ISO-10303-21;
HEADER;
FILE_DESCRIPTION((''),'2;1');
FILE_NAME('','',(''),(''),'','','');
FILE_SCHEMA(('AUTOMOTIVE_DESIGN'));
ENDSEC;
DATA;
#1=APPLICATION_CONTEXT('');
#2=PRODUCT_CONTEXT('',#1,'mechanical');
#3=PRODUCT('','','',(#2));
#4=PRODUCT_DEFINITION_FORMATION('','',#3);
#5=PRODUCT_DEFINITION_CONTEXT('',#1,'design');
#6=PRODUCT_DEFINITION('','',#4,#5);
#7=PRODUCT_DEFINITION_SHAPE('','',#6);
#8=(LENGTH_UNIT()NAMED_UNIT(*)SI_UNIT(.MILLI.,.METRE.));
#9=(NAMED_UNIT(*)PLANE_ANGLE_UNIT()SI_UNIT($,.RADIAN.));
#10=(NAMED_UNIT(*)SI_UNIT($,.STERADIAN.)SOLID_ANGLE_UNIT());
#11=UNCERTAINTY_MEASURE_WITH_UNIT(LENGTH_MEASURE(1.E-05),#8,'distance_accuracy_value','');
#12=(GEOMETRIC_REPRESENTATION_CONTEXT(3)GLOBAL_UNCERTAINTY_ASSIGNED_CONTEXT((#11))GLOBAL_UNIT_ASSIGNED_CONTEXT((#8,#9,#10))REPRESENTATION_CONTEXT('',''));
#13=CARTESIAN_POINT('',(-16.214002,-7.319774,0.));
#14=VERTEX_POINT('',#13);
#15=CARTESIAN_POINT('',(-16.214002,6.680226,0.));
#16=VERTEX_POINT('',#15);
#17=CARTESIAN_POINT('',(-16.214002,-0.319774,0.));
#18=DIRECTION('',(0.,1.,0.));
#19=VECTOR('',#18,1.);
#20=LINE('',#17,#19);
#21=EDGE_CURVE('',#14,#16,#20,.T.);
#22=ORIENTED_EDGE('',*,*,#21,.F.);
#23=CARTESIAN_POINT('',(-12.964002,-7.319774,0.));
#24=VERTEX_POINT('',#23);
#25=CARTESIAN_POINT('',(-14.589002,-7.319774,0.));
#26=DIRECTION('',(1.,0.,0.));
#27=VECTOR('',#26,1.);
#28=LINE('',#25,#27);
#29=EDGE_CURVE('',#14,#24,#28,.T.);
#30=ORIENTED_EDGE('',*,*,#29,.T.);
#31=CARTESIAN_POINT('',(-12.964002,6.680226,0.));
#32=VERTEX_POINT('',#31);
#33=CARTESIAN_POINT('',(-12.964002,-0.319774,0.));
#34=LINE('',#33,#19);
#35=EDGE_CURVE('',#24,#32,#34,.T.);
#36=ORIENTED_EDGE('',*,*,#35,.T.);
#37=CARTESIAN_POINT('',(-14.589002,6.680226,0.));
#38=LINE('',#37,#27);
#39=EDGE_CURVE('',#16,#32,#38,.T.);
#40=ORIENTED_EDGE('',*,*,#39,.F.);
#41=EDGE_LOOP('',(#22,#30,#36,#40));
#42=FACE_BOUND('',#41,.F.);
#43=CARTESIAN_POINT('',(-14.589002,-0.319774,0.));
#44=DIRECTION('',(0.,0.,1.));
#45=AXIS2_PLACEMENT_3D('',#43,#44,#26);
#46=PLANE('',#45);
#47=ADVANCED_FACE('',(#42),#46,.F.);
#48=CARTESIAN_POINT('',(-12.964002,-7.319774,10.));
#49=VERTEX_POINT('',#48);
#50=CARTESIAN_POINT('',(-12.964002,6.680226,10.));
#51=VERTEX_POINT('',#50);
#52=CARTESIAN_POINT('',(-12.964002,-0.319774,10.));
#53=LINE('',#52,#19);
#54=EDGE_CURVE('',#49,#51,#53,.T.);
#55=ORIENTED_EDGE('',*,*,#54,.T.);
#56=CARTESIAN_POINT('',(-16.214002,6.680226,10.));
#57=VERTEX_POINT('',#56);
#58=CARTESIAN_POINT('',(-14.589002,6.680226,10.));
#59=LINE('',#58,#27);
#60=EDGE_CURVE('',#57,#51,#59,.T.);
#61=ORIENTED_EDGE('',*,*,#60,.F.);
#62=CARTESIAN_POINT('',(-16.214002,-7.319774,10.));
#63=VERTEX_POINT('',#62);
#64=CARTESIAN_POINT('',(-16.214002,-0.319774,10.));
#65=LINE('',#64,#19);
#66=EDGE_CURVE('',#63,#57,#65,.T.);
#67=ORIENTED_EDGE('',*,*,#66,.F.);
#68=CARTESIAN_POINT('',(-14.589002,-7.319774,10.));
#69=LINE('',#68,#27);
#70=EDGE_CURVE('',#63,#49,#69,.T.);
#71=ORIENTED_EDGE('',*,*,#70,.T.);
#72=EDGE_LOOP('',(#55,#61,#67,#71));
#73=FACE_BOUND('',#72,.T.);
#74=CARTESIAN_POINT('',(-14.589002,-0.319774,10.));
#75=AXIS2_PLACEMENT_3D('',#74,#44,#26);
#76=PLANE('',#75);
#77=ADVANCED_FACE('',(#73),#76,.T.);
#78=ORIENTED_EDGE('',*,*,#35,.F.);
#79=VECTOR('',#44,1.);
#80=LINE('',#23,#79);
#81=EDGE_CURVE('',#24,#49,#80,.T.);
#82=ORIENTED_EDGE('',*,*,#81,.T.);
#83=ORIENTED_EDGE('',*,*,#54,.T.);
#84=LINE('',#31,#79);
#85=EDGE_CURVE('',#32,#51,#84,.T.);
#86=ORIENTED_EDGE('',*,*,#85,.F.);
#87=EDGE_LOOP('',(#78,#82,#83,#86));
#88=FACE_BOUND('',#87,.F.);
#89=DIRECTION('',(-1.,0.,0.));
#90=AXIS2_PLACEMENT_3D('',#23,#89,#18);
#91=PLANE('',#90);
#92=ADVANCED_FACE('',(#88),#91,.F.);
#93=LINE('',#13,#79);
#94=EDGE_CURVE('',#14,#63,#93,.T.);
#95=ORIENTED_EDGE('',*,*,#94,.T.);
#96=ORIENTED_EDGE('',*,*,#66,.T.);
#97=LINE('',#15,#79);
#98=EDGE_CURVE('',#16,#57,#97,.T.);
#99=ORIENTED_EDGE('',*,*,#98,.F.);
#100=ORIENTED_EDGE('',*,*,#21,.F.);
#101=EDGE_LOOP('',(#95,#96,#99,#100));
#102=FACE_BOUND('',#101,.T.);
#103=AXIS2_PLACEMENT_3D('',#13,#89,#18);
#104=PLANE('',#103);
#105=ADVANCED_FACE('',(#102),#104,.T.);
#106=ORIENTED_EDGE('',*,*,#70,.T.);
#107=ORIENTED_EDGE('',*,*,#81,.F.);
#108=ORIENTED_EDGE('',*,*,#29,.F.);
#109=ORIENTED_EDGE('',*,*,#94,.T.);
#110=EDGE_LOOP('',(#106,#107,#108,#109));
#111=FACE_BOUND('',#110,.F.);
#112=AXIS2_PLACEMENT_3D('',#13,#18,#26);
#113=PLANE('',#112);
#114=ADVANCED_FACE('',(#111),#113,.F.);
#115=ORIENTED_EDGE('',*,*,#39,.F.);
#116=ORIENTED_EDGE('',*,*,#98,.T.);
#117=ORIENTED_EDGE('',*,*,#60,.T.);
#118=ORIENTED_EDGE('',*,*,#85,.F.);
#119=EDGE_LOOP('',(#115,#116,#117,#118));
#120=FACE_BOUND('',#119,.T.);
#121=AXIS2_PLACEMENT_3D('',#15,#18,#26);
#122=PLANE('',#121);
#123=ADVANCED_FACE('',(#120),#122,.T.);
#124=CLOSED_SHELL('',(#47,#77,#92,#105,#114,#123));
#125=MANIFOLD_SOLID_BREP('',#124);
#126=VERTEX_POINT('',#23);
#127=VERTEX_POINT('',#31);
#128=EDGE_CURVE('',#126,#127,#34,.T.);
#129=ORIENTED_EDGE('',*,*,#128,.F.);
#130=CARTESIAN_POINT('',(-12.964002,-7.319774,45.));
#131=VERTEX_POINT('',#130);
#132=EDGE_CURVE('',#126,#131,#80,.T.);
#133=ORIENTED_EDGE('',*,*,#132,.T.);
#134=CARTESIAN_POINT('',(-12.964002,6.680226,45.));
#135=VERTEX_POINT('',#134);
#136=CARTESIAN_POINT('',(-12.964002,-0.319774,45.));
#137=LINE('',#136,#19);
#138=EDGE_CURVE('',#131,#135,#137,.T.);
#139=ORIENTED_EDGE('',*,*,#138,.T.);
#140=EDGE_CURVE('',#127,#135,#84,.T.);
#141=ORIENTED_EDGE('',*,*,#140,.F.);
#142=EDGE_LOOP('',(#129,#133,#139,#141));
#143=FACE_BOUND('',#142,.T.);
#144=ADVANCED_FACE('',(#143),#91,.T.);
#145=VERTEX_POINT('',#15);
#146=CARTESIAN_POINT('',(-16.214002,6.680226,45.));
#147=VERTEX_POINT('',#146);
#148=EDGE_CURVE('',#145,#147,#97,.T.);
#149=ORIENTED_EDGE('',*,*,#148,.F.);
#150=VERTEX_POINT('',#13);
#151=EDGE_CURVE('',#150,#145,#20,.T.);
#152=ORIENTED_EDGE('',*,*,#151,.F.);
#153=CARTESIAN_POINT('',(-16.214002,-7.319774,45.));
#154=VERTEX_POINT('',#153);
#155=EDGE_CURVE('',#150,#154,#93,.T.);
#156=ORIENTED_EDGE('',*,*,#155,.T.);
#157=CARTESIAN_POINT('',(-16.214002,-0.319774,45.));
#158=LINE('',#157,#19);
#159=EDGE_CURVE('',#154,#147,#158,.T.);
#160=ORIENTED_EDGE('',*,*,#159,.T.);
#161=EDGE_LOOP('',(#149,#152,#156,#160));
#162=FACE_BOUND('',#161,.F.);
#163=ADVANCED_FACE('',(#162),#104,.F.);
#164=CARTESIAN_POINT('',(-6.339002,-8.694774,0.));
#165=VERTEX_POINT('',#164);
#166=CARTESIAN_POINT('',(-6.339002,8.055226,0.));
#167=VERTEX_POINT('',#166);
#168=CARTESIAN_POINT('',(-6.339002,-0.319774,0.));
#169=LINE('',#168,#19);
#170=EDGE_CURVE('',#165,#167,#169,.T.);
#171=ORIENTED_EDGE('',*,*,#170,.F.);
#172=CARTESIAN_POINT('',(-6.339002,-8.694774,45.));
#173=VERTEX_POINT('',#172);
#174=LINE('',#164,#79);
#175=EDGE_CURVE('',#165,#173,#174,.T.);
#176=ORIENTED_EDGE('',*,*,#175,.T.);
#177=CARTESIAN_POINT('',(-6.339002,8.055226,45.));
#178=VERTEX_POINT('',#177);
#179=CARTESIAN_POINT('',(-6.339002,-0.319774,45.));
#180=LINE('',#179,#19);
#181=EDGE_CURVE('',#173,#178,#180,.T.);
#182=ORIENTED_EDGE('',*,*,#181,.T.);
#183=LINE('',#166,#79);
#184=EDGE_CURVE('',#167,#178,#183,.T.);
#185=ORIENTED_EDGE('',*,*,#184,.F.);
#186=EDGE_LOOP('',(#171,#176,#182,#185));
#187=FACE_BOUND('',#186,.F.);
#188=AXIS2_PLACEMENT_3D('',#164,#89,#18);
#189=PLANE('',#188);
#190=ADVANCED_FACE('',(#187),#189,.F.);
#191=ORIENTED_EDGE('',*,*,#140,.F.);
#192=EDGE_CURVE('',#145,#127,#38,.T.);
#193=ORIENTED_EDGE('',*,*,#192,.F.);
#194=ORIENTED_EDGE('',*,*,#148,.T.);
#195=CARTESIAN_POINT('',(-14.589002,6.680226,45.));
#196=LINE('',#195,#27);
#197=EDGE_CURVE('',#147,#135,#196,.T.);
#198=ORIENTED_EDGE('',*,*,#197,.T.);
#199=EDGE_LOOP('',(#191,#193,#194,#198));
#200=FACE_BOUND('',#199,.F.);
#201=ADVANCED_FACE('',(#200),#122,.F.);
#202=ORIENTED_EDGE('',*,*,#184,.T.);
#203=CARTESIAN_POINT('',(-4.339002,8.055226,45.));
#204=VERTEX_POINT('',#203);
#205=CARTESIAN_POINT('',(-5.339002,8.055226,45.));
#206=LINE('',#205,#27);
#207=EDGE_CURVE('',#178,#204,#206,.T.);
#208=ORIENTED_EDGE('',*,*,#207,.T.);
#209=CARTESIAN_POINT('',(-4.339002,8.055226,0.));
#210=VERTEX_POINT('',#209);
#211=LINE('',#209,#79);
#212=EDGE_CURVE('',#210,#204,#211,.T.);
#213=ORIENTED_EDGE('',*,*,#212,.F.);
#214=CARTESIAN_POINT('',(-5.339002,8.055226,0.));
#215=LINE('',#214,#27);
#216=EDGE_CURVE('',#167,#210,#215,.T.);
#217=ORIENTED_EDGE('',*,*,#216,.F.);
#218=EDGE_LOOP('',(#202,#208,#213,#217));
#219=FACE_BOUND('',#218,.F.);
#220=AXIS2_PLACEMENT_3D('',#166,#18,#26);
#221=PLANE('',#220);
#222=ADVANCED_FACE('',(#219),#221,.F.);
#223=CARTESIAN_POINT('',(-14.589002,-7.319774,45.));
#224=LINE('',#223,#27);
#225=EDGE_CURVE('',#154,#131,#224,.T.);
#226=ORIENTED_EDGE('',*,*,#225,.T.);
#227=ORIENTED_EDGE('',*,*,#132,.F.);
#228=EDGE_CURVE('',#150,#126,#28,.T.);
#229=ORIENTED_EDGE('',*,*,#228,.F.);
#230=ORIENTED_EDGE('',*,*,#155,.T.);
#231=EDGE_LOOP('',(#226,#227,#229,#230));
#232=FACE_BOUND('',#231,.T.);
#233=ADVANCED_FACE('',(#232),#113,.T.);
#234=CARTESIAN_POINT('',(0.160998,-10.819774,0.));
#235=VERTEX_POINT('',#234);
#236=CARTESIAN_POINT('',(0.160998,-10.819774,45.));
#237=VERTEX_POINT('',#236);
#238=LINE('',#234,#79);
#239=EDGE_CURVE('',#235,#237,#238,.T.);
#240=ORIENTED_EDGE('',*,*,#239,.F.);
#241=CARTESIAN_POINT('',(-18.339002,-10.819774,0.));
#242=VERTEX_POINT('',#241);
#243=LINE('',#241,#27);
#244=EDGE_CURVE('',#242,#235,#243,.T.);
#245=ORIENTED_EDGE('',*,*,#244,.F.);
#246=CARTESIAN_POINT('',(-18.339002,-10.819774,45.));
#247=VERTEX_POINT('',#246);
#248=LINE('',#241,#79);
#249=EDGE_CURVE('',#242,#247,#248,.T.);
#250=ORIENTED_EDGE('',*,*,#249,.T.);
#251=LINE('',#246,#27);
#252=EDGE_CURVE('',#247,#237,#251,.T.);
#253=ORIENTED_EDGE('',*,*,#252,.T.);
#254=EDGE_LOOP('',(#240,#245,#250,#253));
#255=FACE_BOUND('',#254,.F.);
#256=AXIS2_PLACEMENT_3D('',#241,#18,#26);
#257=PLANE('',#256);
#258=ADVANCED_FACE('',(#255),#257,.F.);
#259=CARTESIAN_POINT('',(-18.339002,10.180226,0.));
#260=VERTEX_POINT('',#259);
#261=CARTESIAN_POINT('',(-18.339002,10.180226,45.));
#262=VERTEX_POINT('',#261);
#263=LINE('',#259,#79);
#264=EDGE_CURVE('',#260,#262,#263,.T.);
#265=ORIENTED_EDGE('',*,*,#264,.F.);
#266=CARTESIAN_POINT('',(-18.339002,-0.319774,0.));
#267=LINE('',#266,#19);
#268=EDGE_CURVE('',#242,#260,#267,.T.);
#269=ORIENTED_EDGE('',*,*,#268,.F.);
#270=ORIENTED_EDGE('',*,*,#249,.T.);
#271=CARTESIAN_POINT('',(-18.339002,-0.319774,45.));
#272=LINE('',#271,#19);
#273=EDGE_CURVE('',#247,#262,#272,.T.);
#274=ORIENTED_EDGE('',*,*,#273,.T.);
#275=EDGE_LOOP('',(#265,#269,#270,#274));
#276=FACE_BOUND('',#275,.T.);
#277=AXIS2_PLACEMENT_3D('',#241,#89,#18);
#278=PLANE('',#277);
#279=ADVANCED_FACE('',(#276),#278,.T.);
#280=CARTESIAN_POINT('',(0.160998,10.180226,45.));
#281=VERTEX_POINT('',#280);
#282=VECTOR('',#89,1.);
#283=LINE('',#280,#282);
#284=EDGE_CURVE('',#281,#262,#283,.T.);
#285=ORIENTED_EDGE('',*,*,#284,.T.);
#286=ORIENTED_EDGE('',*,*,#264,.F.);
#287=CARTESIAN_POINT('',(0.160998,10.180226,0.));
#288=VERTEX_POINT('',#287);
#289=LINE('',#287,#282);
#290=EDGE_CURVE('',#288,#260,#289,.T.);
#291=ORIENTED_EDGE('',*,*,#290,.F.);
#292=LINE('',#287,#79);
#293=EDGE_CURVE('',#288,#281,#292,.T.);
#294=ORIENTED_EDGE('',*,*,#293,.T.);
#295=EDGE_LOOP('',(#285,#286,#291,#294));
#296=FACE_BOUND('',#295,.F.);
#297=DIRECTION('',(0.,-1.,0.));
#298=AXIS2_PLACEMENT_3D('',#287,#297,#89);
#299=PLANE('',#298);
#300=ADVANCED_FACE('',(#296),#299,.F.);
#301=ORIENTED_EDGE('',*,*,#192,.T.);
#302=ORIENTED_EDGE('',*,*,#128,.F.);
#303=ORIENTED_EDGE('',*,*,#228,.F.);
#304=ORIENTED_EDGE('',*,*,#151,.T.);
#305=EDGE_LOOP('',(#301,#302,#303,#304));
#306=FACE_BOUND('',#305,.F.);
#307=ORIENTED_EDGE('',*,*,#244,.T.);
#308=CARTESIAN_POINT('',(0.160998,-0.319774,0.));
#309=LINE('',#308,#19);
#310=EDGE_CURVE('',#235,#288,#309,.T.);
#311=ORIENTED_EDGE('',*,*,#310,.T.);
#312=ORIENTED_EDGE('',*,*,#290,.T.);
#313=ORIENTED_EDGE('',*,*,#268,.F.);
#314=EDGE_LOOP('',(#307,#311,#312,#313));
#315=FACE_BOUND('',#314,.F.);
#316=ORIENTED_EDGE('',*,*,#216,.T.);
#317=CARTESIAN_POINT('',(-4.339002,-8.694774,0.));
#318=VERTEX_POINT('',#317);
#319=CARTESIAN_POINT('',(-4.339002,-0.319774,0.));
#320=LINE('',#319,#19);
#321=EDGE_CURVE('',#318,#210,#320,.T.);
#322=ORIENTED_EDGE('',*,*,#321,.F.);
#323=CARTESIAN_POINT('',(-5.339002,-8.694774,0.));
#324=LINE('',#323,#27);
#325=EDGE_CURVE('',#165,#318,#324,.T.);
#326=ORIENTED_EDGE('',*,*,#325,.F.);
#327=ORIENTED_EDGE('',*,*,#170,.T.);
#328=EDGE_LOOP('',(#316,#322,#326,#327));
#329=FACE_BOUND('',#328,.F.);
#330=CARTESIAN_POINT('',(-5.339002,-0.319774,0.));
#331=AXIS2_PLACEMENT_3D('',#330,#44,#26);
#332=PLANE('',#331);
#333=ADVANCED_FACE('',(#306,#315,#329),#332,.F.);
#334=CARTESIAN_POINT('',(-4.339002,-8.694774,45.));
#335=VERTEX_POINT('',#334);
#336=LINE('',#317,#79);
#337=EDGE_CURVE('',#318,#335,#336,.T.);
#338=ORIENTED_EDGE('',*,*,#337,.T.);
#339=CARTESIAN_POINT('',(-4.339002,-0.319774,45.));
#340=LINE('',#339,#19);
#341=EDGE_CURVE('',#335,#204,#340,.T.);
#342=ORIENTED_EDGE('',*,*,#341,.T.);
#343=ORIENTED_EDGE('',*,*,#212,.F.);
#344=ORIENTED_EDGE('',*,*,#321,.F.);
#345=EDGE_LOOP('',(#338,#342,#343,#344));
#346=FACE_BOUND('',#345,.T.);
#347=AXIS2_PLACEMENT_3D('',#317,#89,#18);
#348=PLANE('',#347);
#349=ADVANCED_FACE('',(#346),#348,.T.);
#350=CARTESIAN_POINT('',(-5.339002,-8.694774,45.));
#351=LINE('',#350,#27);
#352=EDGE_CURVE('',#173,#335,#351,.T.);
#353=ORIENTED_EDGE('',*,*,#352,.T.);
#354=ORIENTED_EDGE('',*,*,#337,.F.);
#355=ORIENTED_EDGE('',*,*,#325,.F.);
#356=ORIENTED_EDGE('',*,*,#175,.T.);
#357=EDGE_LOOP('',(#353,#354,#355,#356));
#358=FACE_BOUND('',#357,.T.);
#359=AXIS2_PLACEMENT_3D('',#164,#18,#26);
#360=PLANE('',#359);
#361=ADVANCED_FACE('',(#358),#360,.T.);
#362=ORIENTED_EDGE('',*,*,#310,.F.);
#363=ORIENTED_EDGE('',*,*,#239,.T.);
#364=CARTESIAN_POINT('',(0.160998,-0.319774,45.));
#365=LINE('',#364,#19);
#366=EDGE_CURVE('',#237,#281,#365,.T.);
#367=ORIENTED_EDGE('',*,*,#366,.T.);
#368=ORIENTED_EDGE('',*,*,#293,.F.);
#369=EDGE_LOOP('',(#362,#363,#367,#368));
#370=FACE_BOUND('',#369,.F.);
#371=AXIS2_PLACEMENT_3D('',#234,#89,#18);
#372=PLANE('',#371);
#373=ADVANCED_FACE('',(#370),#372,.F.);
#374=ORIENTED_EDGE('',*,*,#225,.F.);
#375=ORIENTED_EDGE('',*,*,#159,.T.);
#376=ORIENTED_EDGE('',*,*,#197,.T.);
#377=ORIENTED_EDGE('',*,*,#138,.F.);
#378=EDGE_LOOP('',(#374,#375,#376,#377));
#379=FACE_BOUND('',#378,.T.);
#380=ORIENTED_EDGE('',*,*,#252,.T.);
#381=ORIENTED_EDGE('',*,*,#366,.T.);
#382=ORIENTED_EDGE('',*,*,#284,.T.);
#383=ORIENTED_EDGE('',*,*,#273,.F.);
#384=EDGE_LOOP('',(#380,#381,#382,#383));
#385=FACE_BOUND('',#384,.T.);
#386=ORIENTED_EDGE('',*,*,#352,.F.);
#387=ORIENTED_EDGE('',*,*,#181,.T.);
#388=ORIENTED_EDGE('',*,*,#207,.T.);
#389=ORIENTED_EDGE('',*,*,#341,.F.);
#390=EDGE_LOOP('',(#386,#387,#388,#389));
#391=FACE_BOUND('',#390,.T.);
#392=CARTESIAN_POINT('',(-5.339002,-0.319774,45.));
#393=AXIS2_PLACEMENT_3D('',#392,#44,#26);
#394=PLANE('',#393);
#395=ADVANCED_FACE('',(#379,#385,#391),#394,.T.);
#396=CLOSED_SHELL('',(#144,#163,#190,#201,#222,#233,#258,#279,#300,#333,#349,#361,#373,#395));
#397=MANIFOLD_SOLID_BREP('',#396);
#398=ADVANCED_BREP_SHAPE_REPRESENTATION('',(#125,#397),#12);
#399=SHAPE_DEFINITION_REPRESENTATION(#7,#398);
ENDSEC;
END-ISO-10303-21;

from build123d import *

# Parameters (mm, degrees)
F0_W     = 3.25
F0_H     = 14
F1_DEPTH = 10
F0_W_2   = 11
F0_H_2   = 21
F0_W_3   = 2
F0_H_3   = 16.75
F0_W_4   = 7.5
F2_DEPTH = 45


with BuildPart() as f1:
    # F0 (on Top) → F1 (new body)
    with BuildSketch(Plane.XY):
        with Locations((-14.589002, -0.319774)):
            Rectangle(F0_W, F0_H)
    extrude(amount=F1_DEPTH)


with BuildPart() as f2:
    # F0 (on Top) → F2 (new body)
    with BuildSketch(Plane.XY):
        with Locations((-5.339002, -0.319774)):
            Rectangle(F0_W_2, F0_H_2)
        with Locations((-5.339002, -0.319774)):
            Rectangle(F0_W_3, F0_H_3, mode=Mode.SUBTRACT)
        with Locations((-14.589002, -0.319774)):
            Rectangle(F0_W_4, F0_H_2)
        with Locations((-14.589002, -0.319774)):
            Rectangle(F0_W, F0_H, mode=Mode.SUBTRACT)
    extrude(amount=F2_DEPTH)


solid = Compound([f1.part, f2.part])
